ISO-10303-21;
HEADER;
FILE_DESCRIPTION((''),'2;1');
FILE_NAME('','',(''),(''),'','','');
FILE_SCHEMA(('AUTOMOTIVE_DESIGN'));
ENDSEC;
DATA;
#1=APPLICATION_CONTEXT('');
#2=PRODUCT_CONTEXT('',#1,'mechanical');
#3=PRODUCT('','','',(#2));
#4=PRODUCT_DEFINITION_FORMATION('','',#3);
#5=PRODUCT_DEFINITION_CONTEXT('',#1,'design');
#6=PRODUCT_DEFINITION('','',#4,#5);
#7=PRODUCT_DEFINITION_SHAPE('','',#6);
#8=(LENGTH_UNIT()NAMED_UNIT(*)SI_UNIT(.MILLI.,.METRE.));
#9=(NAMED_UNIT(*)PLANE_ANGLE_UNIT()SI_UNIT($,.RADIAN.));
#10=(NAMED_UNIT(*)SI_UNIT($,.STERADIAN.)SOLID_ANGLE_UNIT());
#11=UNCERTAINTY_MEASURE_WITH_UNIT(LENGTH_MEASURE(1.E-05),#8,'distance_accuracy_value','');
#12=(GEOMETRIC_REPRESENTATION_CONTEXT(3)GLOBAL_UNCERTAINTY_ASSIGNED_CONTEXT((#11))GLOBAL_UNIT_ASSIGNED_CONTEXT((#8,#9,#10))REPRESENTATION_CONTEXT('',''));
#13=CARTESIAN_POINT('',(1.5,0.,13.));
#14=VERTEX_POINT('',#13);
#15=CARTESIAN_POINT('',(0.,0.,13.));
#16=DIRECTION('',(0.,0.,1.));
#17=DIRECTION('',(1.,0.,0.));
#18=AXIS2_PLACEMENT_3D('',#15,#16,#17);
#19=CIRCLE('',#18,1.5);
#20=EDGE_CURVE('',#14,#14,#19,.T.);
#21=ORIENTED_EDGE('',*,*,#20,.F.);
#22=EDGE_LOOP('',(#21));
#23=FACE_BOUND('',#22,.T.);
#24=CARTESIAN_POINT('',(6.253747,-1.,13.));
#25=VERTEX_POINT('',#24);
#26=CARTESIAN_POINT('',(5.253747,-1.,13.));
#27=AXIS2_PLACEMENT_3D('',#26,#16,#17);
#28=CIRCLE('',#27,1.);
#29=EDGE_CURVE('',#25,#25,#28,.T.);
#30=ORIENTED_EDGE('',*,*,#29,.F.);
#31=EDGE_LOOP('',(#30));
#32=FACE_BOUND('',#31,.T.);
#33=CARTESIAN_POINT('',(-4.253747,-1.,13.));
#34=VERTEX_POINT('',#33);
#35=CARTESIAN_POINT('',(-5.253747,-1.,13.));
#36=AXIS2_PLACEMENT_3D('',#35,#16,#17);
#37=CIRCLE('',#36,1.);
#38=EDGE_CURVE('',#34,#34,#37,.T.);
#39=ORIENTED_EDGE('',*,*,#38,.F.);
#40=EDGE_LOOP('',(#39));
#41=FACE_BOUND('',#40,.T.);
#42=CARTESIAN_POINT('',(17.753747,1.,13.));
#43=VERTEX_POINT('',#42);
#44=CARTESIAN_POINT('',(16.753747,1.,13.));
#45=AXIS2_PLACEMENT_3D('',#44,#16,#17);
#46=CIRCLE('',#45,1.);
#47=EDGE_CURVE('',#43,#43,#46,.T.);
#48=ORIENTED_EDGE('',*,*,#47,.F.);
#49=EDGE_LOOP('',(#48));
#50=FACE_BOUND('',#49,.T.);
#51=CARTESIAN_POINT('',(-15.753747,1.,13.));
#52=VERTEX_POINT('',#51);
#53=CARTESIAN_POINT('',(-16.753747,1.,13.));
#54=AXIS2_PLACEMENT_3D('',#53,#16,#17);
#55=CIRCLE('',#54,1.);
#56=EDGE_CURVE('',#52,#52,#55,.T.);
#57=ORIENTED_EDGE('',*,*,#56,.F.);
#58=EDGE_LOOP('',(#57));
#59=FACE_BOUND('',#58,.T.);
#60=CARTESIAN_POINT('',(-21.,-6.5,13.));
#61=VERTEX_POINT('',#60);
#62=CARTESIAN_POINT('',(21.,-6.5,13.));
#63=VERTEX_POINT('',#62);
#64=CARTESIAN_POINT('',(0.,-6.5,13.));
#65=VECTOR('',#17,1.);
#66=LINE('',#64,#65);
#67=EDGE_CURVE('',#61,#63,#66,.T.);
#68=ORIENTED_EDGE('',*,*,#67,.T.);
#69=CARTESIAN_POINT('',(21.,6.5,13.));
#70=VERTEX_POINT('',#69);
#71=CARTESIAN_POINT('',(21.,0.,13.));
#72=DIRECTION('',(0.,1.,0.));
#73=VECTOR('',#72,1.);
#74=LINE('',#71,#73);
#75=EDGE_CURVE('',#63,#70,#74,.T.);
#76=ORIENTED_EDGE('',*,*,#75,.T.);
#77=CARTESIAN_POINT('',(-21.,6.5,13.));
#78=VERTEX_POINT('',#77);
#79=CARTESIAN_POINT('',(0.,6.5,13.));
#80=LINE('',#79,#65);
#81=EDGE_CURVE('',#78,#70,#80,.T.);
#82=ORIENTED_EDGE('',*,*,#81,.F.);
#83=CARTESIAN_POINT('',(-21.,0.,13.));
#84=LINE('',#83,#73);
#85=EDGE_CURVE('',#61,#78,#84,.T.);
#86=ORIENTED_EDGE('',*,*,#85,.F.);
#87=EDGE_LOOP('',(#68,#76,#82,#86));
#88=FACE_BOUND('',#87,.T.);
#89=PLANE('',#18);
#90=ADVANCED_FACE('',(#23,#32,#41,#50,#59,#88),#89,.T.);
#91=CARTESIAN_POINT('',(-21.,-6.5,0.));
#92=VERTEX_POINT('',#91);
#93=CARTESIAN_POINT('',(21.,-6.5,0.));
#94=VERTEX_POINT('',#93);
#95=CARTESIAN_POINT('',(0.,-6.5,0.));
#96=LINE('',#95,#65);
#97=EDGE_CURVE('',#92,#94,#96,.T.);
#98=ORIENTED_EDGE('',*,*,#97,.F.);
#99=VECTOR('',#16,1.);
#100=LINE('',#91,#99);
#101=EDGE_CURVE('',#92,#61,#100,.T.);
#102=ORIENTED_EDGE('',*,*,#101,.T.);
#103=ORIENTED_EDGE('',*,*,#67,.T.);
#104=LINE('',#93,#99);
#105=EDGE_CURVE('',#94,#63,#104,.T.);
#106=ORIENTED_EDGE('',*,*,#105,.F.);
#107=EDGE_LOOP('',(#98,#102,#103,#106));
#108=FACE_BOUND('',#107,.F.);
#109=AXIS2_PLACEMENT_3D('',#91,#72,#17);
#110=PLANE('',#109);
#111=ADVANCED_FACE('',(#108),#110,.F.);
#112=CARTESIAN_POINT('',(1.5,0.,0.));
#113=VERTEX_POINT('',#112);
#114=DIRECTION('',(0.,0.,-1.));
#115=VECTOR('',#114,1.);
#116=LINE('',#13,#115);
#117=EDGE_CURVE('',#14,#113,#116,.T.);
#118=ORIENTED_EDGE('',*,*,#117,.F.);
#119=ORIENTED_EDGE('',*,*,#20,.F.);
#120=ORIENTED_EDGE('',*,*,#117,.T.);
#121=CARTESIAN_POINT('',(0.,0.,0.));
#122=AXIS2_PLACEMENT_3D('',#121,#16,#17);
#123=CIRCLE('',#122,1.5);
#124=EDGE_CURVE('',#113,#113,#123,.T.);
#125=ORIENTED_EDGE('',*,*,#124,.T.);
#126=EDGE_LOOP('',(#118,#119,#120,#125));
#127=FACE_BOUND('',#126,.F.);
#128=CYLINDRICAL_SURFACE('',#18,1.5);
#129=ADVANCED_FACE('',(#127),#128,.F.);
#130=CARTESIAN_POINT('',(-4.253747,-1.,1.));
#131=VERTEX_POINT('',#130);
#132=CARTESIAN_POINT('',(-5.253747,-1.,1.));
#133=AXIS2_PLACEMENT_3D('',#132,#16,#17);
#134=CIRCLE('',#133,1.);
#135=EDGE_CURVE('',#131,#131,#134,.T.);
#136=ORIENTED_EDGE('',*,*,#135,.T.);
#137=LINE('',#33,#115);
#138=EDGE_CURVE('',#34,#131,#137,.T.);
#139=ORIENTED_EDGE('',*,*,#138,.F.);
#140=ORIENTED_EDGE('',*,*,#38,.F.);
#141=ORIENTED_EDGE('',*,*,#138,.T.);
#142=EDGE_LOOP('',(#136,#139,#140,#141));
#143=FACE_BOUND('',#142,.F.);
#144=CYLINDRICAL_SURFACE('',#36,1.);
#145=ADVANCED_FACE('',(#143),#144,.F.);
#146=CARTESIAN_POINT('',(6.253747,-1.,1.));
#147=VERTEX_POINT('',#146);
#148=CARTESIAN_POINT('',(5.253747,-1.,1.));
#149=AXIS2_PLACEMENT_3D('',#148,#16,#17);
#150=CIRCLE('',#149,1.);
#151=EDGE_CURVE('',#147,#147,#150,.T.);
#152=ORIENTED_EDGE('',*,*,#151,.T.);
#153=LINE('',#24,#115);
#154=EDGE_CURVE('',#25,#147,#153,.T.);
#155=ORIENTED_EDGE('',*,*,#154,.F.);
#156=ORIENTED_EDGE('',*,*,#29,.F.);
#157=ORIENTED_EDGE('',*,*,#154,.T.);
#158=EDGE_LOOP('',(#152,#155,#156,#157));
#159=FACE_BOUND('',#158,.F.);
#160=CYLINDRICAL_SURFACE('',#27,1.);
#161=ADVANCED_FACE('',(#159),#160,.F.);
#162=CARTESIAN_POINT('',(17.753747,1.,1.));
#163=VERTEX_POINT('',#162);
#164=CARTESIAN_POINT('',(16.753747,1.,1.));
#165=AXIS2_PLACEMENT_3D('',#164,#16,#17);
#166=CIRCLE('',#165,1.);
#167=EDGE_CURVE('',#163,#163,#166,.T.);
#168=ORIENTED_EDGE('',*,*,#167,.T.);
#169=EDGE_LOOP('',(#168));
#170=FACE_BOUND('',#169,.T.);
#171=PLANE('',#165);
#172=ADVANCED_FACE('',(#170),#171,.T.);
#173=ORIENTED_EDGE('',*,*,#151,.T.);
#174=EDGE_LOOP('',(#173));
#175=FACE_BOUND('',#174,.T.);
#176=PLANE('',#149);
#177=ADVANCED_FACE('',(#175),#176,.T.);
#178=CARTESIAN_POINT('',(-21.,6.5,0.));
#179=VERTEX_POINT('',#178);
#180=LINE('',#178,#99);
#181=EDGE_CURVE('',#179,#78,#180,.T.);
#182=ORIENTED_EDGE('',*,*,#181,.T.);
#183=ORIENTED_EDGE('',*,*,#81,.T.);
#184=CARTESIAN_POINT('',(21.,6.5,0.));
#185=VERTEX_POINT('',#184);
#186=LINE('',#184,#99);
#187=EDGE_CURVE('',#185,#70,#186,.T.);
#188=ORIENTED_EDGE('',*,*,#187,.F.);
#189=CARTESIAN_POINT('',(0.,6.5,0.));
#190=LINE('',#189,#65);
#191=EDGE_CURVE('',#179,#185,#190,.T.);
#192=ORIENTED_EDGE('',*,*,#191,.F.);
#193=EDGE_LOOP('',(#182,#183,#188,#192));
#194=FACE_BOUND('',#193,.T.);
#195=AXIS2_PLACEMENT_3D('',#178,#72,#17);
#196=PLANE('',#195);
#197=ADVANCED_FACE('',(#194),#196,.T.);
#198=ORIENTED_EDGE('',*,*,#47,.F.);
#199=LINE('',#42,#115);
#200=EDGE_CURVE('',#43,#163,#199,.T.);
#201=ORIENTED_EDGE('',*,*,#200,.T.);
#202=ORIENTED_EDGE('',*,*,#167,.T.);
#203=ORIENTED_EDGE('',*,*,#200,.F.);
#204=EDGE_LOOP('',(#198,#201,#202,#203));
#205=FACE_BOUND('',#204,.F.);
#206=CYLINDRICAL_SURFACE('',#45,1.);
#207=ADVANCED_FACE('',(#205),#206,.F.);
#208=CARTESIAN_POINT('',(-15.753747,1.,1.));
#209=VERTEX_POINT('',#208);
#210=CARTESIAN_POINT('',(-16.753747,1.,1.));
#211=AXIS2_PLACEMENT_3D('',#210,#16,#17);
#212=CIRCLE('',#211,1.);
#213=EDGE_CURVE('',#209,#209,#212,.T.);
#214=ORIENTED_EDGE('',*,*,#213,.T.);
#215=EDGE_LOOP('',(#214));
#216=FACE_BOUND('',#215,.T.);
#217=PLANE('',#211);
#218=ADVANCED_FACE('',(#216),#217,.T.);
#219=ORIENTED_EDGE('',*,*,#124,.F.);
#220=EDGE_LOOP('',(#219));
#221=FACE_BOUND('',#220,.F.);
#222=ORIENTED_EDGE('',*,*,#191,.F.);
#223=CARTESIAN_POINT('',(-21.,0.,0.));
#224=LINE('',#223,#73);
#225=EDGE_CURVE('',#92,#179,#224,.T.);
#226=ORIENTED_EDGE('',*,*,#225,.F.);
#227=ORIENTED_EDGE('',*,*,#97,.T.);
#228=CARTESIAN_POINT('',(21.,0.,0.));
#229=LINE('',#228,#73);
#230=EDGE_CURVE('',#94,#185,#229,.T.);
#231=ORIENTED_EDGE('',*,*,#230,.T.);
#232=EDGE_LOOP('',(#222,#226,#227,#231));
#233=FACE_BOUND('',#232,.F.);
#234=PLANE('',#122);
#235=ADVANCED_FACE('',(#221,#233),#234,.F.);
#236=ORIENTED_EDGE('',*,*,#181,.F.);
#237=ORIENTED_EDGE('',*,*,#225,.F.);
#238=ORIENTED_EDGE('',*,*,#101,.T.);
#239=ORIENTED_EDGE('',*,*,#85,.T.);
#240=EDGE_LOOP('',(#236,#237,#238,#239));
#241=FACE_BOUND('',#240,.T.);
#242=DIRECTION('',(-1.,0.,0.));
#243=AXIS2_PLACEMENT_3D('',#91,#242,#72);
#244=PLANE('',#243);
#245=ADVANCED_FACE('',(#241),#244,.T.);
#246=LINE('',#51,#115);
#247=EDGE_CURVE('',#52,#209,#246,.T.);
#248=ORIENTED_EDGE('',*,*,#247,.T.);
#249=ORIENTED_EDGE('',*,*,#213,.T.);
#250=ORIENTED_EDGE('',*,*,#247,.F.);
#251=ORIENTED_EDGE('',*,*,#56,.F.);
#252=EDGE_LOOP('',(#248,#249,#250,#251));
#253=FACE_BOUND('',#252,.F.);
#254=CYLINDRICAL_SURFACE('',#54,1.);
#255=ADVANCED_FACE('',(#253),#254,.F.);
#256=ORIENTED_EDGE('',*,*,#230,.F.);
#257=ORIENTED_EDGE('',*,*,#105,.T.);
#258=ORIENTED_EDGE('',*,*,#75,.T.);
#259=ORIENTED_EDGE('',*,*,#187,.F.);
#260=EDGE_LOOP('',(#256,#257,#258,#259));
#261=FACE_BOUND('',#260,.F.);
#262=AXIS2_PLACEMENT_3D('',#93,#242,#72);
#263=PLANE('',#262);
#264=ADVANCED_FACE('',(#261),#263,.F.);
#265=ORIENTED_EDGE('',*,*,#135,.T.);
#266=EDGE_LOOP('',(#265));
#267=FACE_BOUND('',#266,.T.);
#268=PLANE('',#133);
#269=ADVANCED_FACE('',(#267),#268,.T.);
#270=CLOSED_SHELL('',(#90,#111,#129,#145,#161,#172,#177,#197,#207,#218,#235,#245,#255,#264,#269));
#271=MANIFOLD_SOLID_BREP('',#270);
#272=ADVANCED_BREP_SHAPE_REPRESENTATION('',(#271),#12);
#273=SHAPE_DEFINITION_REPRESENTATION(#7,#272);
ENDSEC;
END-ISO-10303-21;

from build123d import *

# Parameters (mm, degrees)
F0_W     = 42
F0_H     = 13
F1_DEPTH = 13
F2_R     = 1
F3_DEPTH = 12
F4_R     = 1.5
F5_DEPTH = 13.001


with BuildPart() as f1:
    # F0 (on Top) → F1 (new body)
    with BuildSketch(Plane.XY):
        Rectangle(F0_W, F0_H)
    extrude(amount=F1_DEPTH)

    # F2 (on face) → F3 (cut)
    with BuildSketch(Plane.XY.offset(13)):
        with Locations((-16.753747, 1)):
            Circle(F2_R)
        with Locations((-5.253747, -1)):
            Circle(F2_R)
        with Locations((5.253747, -1)):
            Circle(F2_R)
        with Locations((16.753747, 1)):
            Circle(F2_R)
    extrude(amount=-F3_DEPTH, mode=Mode.SUBTRACT)

    # F4 (on face) → F5 (cut, through all)
    with BuildSketch(Plane.XY.offset(13)):
        Circle(F4_R)
    extrude(amount=-F5_DEPTH, mode=Mode.SUBTRACT)


solid = f1.part
